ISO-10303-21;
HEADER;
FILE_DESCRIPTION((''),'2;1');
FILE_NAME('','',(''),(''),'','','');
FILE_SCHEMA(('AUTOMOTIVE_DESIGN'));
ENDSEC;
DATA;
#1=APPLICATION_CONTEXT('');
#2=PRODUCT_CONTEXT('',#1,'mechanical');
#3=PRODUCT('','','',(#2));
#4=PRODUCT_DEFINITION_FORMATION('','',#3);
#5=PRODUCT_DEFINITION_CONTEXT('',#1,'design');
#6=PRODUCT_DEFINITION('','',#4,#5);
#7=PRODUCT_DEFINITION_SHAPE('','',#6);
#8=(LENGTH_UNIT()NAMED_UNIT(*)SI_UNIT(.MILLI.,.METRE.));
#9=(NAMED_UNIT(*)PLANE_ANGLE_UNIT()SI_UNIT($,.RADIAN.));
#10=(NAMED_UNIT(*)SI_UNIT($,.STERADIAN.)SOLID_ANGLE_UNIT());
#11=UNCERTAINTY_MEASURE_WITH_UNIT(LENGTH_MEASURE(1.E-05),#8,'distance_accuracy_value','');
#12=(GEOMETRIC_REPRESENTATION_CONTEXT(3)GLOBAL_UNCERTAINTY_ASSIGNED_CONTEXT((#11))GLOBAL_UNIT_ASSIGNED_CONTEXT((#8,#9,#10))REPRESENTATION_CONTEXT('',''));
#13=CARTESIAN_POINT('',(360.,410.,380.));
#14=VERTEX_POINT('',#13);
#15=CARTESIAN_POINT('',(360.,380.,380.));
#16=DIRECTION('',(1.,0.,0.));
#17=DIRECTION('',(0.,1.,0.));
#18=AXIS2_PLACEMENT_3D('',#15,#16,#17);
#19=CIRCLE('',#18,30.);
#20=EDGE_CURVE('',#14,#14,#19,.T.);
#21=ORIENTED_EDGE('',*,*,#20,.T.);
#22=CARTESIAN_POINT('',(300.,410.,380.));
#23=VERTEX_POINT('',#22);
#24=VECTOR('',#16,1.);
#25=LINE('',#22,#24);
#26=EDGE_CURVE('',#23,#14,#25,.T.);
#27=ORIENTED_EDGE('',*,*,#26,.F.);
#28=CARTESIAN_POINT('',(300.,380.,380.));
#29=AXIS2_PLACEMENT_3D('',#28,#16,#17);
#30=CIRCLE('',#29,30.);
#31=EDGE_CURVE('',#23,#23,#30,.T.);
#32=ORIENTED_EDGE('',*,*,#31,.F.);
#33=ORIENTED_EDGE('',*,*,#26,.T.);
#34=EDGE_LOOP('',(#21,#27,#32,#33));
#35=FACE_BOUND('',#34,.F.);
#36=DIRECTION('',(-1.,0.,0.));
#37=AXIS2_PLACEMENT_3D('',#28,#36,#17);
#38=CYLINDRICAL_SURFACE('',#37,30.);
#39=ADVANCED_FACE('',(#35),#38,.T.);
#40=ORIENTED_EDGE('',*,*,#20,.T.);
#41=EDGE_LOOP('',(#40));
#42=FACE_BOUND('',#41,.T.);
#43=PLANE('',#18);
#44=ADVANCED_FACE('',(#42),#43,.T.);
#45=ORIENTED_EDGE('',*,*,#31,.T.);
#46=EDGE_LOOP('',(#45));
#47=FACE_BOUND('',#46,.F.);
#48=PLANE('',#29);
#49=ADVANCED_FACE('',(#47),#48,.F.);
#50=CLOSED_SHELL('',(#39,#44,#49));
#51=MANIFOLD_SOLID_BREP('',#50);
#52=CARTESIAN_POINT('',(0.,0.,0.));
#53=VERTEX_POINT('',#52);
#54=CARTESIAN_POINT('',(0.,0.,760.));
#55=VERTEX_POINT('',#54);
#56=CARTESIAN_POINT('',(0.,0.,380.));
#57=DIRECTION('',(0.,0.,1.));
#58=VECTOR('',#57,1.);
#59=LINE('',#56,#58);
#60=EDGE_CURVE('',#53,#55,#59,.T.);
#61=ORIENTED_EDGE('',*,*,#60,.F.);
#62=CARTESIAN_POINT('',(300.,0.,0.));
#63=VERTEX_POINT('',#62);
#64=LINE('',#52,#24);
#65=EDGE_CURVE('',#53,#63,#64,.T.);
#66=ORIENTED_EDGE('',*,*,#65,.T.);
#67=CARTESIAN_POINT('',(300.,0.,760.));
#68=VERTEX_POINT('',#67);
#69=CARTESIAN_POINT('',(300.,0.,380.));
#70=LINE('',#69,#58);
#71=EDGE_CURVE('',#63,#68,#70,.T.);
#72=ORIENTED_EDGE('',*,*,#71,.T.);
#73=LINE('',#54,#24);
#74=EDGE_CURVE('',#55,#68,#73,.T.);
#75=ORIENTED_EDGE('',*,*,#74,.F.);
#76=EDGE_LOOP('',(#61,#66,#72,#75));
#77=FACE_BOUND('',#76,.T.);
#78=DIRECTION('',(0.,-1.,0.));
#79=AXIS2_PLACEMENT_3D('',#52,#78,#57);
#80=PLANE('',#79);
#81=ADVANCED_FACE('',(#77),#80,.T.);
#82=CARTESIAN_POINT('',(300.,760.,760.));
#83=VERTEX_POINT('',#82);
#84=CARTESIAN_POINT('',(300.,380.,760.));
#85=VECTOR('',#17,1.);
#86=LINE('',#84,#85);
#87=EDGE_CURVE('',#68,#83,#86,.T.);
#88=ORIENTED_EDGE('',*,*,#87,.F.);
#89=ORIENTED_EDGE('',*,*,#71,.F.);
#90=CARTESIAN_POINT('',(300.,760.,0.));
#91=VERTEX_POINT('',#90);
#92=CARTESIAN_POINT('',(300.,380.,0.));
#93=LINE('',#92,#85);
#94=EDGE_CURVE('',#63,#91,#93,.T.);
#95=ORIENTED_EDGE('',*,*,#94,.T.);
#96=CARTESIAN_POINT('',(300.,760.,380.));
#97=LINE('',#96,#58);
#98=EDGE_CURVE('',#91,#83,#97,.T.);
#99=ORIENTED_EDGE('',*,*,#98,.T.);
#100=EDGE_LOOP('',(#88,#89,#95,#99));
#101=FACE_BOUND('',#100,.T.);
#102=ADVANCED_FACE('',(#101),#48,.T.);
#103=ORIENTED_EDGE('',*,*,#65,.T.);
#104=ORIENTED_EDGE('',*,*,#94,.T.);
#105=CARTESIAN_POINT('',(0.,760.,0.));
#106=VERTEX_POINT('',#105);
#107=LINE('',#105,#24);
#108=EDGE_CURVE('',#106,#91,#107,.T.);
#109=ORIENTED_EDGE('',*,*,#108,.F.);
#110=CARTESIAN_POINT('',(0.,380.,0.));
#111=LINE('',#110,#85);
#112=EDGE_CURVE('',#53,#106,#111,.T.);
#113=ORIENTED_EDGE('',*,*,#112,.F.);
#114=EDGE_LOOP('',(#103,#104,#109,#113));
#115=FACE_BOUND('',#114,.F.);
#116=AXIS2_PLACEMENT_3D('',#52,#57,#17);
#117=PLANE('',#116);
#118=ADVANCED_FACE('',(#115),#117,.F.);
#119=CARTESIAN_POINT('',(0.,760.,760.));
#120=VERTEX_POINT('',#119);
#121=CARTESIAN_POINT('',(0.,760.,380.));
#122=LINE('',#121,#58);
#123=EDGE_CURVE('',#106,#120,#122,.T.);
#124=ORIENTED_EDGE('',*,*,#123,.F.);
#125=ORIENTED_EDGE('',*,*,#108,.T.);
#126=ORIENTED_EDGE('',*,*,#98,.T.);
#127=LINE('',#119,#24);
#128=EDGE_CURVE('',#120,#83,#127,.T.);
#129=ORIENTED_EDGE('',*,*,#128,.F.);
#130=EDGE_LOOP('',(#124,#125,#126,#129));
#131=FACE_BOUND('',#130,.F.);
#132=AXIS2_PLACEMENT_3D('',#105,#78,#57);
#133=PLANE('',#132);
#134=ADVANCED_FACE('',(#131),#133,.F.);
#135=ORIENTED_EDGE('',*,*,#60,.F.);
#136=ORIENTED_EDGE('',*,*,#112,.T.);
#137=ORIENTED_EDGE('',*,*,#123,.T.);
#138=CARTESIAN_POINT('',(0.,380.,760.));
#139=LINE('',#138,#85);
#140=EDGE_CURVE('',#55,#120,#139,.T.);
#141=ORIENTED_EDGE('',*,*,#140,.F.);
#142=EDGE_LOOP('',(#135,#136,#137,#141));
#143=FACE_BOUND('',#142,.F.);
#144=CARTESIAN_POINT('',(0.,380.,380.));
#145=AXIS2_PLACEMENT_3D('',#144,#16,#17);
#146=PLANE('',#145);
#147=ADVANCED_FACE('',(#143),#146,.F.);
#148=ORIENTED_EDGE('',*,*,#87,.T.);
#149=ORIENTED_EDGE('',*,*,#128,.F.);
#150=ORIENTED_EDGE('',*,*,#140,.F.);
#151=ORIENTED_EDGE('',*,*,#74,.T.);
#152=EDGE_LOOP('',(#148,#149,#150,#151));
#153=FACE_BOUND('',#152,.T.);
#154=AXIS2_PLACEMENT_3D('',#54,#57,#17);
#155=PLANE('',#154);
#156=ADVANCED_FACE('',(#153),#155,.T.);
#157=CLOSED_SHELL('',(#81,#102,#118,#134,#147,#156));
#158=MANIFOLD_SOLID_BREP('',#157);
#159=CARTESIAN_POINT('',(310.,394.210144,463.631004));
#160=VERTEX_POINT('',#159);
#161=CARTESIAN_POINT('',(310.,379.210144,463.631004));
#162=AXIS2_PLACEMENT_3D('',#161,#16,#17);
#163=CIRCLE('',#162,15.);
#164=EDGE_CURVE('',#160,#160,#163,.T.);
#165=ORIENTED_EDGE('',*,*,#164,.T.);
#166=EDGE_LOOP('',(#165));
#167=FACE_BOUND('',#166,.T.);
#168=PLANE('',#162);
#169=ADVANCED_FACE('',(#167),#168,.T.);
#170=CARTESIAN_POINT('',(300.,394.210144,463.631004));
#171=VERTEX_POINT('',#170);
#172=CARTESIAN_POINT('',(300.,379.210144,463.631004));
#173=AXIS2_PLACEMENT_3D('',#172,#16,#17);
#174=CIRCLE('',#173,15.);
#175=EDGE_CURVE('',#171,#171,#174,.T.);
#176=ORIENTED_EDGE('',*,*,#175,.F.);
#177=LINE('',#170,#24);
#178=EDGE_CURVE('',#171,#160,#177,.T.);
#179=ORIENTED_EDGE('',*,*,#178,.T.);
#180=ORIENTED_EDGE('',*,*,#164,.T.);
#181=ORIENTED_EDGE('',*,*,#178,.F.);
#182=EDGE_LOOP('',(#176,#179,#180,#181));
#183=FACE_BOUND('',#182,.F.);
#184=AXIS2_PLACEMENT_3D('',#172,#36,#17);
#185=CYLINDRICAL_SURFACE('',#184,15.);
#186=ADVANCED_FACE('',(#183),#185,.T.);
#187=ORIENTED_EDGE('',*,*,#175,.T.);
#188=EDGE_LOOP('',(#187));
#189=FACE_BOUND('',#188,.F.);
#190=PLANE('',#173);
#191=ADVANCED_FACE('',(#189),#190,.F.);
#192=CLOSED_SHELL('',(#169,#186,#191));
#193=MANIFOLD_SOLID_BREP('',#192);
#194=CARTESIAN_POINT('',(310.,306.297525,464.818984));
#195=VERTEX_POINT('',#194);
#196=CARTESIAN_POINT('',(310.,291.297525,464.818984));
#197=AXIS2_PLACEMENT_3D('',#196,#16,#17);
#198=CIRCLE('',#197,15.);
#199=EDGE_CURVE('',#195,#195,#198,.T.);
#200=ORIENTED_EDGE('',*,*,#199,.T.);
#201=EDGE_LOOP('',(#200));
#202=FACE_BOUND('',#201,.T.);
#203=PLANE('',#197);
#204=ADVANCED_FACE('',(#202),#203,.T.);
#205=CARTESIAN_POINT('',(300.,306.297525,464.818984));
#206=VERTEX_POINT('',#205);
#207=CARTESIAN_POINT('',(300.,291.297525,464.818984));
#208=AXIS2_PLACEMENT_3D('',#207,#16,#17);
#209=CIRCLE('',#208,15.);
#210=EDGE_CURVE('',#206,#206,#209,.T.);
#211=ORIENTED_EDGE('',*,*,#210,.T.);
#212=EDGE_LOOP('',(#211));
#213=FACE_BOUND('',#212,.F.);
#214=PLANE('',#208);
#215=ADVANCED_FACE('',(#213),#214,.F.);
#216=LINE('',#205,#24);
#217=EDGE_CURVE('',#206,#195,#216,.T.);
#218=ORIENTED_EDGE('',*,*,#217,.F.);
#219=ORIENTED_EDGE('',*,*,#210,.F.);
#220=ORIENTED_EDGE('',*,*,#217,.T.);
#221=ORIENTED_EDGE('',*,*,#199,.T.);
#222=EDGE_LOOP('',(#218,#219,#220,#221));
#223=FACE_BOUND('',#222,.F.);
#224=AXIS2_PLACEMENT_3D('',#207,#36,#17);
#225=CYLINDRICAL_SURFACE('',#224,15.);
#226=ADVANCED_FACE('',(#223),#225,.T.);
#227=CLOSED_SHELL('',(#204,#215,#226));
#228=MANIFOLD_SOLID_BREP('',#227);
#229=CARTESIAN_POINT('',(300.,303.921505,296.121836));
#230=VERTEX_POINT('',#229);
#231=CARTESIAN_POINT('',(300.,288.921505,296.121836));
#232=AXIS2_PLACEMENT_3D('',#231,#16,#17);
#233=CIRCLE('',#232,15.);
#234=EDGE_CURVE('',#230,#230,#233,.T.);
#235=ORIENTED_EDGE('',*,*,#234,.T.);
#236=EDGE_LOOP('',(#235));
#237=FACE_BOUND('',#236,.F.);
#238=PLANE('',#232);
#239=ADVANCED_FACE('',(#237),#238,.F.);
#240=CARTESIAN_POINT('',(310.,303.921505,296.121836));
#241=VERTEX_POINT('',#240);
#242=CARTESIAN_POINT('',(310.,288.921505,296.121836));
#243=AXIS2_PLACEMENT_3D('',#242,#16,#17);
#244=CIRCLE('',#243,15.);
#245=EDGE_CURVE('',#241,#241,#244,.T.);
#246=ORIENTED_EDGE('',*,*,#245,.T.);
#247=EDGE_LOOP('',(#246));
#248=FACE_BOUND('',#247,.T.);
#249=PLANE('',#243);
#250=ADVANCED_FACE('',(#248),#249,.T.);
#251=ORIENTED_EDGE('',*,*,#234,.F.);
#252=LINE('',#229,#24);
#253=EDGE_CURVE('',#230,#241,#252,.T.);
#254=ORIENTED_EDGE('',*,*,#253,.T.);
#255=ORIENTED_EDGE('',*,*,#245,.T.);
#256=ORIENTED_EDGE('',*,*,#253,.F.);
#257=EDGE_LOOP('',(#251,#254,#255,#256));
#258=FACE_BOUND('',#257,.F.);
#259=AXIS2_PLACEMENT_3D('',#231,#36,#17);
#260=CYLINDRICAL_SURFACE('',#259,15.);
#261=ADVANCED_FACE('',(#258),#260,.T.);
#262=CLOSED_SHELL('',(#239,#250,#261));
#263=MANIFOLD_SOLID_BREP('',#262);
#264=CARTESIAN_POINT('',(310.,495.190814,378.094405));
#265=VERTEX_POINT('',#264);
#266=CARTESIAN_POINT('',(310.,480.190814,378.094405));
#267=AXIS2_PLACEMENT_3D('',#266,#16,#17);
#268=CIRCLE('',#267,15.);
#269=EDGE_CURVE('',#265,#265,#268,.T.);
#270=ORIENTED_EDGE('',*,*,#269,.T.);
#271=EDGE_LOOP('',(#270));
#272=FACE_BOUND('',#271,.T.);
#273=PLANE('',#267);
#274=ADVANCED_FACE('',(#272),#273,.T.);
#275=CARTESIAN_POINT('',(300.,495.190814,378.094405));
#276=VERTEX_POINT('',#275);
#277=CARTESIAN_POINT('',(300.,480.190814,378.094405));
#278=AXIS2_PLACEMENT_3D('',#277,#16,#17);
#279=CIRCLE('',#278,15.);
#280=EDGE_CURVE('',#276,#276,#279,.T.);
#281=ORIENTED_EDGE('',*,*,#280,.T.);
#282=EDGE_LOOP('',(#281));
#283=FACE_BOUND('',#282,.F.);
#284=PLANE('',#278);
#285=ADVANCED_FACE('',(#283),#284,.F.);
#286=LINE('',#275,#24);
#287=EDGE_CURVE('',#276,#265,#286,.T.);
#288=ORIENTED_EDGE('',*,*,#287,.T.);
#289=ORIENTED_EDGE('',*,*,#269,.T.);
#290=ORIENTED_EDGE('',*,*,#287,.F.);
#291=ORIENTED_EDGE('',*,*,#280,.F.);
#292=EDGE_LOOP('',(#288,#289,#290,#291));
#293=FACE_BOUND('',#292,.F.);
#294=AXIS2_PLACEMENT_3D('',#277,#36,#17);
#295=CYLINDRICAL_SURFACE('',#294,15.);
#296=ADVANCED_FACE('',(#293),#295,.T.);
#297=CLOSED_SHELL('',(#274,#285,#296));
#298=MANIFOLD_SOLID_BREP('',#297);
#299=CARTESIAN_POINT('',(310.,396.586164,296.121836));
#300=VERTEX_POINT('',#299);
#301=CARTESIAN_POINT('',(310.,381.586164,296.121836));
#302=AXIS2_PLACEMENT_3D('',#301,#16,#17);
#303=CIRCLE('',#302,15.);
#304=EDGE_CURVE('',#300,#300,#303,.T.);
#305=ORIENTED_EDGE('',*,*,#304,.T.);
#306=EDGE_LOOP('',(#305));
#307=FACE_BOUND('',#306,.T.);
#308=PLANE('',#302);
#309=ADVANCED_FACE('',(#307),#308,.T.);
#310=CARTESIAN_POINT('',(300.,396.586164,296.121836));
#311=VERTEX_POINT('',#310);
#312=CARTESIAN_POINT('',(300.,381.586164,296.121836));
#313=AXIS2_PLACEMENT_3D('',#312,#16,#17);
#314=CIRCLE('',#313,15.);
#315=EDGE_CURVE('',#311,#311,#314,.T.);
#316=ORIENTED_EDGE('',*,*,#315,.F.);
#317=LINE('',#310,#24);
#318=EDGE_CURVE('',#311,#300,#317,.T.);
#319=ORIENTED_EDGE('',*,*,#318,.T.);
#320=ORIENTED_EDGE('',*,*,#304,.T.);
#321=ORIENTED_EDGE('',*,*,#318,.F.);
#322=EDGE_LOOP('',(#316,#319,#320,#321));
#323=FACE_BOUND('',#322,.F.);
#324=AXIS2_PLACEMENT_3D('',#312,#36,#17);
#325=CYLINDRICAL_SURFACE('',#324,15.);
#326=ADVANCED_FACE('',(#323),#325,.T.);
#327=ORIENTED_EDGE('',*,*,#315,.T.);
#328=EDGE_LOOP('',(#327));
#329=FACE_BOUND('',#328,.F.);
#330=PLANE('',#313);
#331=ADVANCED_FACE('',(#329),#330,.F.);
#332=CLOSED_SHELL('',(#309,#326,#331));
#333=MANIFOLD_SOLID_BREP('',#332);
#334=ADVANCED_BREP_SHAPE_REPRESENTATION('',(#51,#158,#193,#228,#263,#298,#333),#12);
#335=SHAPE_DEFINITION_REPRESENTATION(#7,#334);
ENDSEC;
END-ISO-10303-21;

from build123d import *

# Parameters (mm, degrees)
F0_W     = 760
F0_H     = 760
F1_DEPTH = 300
F2_R     = 30
F3_DEPTH = 60
F2_R_2   = 15
F4_DEPTH = 10


with BuildPart() as f1:
    # F0 (on Right) → F1 (new body)
    with BuildSketch(Plane.YZ):
        with Locations((380, 380)):
            Rectangle(F0_W, F0_H)
    extrude(amount=F1_DEPTH)


with BuildPart() as f3:
    # F2 (on face) → F3 (new body)
    with BuildSketch(Plane.YZ.offset(300)):
        with Locations((380, 380)):
            Circle(F2_R)
    extrude(amount=F3_DEPTH)


with BuildPart() as f4:
    # F2 (on face) → F4 (new body)
    with BuildSketch(Plane.YZ.offset(300)):
        with Locations((288.921505, 296.121836)):
            Circle(F2_R_2)
        with Locations((291.297525, 464.818984)):
            Circle(F2_R_2)
        with Locations((381.586164, 296.121836)):
            Circle(F2_R_2)
        with Locations((379.210144, 463.631004)):
            Circle(F2_R_2)
        with Locations((480.190814, 378.094405)):
            Circle(F2_R_2)
    extrude(amount=F4_DEPTH)


solid = Compound([f1.part, f3.part, f4.part])
